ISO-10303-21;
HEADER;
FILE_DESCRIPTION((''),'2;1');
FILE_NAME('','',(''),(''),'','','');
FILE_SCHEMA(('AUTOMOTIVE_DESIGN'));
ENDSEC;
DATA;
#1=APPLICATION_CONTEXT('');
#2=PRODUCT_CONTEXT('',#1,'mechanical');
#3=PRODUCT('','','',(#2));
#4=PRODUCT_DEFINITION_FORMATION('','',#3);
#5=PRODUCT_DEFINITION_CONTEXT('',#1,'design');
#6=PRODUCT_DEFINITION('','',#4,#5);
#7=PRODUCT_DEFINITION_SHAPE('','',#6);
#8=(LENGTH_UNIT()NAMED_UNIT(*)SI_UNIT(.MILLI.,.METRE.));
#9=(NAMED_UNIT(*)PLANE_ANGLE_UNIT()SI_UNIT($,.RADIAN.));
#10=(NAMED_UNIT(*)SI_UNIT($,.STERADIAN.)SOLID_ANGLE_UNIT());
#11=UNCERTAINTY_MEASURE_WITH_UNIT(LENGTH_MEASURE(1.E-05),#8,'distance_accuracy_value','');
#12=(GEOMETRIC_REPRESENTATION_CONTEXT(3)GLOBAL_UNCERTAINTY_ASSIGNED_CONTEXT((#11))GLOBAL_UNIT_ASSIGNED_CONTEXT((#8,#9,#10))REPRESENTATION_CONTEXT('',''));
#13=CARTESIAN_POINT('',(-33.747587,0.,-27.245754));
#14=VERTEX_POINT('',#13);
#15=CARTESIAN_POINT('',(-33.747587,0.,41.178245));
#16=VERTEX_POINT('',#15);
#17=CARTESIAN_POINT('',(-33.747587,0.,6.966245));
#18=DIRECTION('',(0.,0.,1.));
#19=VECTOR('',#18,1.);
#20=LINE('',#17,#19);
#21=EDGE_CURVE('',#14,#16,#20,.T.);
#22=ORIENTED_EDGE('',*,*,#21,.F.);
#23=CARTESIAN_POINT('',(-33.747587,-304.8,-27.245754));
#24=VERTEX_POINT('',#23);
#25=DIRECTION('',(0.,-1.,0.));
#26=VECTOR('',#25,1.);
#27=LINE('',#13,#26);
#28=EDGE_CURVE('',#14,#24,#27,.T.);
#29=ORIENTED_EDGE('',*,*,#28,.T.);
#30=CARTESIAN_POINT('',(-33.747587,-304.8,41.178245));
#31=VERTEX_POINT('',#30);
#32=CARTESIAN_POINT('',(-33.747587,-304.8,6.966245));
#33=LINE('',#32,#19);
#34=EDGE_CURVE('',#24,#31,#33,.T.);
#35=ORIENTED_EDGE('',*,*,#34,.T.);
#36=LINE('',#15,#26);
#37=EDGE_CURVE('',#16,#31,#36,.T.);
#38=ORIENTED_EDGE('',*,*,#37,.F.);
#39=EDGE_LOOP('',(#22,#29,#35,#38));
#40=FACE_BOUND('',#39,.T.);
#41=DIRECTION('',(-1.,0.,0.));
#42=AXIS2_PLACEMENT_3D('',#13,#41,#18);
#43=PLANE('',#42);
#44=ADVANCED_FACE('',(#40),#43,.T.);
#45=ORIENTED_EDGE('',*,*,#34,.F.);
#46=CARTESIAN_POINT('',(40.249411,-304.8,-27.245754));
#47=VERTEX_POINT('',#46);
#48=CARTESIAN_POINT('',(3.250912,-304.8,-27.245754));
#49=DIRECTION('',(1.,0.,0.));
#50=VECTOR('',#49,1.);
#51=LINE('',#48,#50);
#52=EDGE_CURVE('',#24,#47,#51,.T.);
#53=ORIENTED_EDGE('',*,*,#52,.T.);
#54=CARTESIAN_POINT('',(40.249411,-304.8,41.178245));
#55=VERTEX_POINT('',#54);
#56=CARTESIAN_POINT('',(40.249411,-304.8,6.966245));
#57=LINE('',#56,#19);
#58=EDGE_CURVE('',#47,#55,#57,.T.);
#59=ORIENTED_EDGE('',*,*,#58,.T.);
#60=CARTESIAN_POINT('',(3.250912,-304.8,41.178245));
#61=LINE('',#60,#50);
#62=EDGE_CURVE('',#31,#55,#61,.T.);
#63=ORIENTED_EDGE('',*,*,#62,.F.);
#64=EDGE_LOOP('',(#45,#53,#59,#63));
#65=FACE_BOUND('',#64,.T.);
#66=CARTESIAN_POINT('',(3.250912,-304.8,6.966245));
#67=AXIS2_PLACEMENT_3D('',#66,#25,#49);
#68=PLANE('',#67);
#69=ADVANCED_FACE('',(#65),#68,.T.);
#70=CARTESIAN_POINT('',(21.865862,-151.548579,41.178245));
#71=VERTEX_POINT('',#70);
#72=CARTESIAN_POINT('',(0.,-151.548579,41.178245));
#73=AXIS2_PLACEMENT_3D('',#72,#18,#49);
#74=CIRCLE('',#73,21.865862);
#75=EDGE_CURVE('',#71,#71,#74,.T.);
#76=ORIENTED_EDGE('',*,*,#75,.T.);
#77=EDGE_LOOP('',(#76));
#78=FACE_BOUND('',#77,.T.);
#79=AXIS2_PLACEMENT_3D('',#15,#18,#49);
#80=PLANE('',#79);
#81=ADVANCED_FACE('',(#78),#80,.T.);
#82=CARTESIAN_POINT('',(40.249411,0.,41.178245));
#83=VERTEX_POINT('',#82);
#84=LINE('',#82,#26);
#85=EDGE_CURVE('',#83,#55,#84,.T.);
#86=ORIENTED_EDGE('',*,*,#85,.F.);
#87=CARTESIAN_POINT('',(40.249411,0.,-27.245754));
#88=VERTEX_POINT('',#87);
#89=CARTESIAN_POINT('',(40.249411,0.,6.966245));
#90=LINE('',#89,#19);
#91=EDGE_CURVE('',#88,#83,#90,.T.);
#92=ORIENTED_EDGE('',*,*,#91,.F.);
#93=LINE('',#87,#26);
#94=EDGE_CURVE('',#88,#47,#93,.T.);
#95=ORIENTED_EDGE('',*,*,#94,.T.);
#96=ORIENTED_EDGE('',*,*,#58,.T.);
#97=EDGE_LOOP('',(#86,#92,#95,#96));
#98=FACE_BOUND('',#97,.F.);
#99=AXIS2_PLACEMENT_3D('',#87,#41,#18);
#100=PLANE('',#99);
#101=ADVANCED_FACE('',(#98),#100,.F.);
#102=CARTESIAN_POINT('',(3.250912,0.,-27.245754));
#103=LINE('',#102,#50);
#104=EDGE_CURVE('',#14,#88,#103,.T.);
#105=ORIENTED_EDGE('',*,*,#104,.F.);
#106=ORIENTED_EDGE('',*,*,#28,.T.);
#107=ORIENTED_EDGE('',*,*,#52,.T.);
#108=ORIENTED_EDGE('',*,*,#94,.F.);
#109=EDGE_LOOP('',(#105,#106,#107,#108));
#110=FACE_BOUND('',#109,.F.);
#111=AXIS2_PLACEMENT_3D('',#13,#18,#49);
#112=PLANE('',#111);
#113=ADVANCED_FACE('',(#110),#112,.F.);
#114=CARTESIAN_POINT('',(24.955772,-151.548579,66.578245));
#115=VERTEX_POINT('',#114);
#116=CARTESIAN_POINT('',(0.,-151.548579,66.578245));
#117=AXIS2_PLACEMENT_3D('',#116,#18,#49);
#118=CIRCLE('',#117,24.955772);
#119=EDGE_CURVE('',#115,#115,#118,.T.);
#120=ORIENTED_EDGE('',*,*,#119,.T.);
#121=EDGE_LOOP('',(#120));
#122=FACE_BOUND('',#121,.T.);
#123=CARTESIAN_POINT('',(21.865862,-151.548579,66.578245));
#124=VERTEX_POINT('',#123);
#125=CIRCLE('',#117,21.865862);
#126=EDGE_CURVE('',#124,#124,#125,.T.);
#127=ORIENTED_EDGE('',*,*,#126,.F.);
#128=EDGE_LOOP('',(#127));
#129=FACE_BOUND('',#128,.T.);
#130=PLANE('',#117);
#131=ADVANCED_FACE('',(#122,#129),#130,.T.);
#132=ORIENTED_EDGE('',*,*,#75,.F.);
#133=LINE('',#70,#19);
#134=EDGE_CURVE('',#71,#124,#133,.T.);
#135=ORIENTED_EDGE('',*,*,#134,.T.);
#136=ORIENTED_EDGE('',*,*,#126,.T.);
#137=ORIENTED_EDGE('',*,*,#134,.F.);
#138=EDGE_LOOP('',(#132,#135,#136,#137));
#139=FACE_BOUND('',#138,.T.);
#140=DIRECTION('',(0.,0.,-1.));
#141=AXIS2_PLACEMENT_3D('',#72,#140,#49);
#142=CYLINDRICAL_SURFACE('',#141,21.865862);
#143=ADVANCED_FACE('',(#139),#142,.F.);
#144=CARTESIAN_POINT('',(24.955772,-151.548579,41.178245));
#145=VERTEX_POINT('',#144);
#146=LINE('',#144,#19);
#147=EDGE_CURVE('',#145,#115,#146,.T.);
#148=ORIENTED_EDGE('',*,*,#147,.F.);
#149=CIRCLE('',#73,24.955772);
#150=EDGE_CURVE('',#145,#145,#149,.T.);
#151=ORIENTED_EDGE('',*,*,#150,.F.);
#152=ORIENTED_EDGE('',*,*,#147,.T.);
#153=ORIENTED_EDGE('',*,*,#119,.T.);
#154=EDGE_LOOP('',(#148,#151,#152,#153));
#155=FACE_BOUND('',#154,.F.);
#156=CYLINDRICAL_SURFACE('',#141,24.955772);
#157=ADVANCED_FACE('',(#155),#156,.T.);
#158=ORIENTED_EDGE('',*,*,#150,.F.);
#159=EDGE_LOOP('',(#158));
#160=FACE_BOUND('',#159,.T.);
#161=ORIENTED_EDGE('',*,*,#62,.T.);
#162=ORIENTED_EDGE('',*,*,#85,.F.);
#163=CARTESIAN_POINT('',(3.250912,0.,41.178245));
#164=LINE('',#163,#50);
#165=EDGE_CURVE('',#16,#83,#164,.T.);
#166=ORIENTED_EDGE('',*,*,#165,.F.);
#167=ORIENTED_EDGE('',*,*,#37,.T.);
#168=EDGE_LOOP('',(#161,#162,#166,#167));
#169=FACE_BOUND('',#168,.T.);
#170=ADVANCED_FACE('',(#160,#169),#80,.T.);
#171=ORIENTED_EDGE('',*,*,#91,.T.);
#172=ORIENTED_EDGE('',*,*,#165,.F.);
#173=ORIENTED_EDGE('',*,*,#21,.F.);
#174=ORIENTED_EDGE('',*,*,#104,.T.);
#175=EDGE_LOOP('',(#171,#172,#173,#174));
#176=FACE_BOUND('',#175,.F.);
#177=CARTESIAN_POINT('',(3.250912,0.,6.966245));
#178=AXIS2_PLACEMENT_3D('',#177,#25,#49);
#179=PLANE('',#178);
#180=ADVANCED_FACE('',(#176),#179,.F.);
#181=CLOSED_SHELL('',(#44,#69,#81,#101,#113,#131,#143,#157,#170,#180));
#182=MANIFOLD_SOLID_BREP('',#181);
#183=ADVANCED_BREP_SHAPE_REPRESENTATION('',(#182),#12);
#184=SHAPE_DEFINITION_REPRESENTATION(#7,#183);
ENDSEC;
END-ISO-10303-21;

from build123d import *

# Parameters (mm, degrees)
F0_W     = 73.9969983697
F0_H     = 68.4239994735
F1_DEPTH = 304.8
F2_R     = 24.9557715144
F2_R_2   = 21.8658619352
F3_DEPTH = 25.4


with BuildPart() as f1:
    # F0 (on Front) → F1 (new body)
    with BuildSketch(Plane.XZ):
        with Locations((3.2509118319, 6.9662453607)):
            Rectangle(F0_W, F0_H)
    extrude(amount=F1_DEPTH)

    # F2 (on face) → F3 (join)
    with BuildSketch(Plane.XY.offset(41.1782450974)):
        with Locations((0, -151.5485793352)):
            Circle(F2_R)
        with Locations((0, -151.5485793352)):
            Circle(F2_R_2, mode=Mode.SUBTRACT)
    extrude(amount=F3_DEPTH)


solid = f1.part
